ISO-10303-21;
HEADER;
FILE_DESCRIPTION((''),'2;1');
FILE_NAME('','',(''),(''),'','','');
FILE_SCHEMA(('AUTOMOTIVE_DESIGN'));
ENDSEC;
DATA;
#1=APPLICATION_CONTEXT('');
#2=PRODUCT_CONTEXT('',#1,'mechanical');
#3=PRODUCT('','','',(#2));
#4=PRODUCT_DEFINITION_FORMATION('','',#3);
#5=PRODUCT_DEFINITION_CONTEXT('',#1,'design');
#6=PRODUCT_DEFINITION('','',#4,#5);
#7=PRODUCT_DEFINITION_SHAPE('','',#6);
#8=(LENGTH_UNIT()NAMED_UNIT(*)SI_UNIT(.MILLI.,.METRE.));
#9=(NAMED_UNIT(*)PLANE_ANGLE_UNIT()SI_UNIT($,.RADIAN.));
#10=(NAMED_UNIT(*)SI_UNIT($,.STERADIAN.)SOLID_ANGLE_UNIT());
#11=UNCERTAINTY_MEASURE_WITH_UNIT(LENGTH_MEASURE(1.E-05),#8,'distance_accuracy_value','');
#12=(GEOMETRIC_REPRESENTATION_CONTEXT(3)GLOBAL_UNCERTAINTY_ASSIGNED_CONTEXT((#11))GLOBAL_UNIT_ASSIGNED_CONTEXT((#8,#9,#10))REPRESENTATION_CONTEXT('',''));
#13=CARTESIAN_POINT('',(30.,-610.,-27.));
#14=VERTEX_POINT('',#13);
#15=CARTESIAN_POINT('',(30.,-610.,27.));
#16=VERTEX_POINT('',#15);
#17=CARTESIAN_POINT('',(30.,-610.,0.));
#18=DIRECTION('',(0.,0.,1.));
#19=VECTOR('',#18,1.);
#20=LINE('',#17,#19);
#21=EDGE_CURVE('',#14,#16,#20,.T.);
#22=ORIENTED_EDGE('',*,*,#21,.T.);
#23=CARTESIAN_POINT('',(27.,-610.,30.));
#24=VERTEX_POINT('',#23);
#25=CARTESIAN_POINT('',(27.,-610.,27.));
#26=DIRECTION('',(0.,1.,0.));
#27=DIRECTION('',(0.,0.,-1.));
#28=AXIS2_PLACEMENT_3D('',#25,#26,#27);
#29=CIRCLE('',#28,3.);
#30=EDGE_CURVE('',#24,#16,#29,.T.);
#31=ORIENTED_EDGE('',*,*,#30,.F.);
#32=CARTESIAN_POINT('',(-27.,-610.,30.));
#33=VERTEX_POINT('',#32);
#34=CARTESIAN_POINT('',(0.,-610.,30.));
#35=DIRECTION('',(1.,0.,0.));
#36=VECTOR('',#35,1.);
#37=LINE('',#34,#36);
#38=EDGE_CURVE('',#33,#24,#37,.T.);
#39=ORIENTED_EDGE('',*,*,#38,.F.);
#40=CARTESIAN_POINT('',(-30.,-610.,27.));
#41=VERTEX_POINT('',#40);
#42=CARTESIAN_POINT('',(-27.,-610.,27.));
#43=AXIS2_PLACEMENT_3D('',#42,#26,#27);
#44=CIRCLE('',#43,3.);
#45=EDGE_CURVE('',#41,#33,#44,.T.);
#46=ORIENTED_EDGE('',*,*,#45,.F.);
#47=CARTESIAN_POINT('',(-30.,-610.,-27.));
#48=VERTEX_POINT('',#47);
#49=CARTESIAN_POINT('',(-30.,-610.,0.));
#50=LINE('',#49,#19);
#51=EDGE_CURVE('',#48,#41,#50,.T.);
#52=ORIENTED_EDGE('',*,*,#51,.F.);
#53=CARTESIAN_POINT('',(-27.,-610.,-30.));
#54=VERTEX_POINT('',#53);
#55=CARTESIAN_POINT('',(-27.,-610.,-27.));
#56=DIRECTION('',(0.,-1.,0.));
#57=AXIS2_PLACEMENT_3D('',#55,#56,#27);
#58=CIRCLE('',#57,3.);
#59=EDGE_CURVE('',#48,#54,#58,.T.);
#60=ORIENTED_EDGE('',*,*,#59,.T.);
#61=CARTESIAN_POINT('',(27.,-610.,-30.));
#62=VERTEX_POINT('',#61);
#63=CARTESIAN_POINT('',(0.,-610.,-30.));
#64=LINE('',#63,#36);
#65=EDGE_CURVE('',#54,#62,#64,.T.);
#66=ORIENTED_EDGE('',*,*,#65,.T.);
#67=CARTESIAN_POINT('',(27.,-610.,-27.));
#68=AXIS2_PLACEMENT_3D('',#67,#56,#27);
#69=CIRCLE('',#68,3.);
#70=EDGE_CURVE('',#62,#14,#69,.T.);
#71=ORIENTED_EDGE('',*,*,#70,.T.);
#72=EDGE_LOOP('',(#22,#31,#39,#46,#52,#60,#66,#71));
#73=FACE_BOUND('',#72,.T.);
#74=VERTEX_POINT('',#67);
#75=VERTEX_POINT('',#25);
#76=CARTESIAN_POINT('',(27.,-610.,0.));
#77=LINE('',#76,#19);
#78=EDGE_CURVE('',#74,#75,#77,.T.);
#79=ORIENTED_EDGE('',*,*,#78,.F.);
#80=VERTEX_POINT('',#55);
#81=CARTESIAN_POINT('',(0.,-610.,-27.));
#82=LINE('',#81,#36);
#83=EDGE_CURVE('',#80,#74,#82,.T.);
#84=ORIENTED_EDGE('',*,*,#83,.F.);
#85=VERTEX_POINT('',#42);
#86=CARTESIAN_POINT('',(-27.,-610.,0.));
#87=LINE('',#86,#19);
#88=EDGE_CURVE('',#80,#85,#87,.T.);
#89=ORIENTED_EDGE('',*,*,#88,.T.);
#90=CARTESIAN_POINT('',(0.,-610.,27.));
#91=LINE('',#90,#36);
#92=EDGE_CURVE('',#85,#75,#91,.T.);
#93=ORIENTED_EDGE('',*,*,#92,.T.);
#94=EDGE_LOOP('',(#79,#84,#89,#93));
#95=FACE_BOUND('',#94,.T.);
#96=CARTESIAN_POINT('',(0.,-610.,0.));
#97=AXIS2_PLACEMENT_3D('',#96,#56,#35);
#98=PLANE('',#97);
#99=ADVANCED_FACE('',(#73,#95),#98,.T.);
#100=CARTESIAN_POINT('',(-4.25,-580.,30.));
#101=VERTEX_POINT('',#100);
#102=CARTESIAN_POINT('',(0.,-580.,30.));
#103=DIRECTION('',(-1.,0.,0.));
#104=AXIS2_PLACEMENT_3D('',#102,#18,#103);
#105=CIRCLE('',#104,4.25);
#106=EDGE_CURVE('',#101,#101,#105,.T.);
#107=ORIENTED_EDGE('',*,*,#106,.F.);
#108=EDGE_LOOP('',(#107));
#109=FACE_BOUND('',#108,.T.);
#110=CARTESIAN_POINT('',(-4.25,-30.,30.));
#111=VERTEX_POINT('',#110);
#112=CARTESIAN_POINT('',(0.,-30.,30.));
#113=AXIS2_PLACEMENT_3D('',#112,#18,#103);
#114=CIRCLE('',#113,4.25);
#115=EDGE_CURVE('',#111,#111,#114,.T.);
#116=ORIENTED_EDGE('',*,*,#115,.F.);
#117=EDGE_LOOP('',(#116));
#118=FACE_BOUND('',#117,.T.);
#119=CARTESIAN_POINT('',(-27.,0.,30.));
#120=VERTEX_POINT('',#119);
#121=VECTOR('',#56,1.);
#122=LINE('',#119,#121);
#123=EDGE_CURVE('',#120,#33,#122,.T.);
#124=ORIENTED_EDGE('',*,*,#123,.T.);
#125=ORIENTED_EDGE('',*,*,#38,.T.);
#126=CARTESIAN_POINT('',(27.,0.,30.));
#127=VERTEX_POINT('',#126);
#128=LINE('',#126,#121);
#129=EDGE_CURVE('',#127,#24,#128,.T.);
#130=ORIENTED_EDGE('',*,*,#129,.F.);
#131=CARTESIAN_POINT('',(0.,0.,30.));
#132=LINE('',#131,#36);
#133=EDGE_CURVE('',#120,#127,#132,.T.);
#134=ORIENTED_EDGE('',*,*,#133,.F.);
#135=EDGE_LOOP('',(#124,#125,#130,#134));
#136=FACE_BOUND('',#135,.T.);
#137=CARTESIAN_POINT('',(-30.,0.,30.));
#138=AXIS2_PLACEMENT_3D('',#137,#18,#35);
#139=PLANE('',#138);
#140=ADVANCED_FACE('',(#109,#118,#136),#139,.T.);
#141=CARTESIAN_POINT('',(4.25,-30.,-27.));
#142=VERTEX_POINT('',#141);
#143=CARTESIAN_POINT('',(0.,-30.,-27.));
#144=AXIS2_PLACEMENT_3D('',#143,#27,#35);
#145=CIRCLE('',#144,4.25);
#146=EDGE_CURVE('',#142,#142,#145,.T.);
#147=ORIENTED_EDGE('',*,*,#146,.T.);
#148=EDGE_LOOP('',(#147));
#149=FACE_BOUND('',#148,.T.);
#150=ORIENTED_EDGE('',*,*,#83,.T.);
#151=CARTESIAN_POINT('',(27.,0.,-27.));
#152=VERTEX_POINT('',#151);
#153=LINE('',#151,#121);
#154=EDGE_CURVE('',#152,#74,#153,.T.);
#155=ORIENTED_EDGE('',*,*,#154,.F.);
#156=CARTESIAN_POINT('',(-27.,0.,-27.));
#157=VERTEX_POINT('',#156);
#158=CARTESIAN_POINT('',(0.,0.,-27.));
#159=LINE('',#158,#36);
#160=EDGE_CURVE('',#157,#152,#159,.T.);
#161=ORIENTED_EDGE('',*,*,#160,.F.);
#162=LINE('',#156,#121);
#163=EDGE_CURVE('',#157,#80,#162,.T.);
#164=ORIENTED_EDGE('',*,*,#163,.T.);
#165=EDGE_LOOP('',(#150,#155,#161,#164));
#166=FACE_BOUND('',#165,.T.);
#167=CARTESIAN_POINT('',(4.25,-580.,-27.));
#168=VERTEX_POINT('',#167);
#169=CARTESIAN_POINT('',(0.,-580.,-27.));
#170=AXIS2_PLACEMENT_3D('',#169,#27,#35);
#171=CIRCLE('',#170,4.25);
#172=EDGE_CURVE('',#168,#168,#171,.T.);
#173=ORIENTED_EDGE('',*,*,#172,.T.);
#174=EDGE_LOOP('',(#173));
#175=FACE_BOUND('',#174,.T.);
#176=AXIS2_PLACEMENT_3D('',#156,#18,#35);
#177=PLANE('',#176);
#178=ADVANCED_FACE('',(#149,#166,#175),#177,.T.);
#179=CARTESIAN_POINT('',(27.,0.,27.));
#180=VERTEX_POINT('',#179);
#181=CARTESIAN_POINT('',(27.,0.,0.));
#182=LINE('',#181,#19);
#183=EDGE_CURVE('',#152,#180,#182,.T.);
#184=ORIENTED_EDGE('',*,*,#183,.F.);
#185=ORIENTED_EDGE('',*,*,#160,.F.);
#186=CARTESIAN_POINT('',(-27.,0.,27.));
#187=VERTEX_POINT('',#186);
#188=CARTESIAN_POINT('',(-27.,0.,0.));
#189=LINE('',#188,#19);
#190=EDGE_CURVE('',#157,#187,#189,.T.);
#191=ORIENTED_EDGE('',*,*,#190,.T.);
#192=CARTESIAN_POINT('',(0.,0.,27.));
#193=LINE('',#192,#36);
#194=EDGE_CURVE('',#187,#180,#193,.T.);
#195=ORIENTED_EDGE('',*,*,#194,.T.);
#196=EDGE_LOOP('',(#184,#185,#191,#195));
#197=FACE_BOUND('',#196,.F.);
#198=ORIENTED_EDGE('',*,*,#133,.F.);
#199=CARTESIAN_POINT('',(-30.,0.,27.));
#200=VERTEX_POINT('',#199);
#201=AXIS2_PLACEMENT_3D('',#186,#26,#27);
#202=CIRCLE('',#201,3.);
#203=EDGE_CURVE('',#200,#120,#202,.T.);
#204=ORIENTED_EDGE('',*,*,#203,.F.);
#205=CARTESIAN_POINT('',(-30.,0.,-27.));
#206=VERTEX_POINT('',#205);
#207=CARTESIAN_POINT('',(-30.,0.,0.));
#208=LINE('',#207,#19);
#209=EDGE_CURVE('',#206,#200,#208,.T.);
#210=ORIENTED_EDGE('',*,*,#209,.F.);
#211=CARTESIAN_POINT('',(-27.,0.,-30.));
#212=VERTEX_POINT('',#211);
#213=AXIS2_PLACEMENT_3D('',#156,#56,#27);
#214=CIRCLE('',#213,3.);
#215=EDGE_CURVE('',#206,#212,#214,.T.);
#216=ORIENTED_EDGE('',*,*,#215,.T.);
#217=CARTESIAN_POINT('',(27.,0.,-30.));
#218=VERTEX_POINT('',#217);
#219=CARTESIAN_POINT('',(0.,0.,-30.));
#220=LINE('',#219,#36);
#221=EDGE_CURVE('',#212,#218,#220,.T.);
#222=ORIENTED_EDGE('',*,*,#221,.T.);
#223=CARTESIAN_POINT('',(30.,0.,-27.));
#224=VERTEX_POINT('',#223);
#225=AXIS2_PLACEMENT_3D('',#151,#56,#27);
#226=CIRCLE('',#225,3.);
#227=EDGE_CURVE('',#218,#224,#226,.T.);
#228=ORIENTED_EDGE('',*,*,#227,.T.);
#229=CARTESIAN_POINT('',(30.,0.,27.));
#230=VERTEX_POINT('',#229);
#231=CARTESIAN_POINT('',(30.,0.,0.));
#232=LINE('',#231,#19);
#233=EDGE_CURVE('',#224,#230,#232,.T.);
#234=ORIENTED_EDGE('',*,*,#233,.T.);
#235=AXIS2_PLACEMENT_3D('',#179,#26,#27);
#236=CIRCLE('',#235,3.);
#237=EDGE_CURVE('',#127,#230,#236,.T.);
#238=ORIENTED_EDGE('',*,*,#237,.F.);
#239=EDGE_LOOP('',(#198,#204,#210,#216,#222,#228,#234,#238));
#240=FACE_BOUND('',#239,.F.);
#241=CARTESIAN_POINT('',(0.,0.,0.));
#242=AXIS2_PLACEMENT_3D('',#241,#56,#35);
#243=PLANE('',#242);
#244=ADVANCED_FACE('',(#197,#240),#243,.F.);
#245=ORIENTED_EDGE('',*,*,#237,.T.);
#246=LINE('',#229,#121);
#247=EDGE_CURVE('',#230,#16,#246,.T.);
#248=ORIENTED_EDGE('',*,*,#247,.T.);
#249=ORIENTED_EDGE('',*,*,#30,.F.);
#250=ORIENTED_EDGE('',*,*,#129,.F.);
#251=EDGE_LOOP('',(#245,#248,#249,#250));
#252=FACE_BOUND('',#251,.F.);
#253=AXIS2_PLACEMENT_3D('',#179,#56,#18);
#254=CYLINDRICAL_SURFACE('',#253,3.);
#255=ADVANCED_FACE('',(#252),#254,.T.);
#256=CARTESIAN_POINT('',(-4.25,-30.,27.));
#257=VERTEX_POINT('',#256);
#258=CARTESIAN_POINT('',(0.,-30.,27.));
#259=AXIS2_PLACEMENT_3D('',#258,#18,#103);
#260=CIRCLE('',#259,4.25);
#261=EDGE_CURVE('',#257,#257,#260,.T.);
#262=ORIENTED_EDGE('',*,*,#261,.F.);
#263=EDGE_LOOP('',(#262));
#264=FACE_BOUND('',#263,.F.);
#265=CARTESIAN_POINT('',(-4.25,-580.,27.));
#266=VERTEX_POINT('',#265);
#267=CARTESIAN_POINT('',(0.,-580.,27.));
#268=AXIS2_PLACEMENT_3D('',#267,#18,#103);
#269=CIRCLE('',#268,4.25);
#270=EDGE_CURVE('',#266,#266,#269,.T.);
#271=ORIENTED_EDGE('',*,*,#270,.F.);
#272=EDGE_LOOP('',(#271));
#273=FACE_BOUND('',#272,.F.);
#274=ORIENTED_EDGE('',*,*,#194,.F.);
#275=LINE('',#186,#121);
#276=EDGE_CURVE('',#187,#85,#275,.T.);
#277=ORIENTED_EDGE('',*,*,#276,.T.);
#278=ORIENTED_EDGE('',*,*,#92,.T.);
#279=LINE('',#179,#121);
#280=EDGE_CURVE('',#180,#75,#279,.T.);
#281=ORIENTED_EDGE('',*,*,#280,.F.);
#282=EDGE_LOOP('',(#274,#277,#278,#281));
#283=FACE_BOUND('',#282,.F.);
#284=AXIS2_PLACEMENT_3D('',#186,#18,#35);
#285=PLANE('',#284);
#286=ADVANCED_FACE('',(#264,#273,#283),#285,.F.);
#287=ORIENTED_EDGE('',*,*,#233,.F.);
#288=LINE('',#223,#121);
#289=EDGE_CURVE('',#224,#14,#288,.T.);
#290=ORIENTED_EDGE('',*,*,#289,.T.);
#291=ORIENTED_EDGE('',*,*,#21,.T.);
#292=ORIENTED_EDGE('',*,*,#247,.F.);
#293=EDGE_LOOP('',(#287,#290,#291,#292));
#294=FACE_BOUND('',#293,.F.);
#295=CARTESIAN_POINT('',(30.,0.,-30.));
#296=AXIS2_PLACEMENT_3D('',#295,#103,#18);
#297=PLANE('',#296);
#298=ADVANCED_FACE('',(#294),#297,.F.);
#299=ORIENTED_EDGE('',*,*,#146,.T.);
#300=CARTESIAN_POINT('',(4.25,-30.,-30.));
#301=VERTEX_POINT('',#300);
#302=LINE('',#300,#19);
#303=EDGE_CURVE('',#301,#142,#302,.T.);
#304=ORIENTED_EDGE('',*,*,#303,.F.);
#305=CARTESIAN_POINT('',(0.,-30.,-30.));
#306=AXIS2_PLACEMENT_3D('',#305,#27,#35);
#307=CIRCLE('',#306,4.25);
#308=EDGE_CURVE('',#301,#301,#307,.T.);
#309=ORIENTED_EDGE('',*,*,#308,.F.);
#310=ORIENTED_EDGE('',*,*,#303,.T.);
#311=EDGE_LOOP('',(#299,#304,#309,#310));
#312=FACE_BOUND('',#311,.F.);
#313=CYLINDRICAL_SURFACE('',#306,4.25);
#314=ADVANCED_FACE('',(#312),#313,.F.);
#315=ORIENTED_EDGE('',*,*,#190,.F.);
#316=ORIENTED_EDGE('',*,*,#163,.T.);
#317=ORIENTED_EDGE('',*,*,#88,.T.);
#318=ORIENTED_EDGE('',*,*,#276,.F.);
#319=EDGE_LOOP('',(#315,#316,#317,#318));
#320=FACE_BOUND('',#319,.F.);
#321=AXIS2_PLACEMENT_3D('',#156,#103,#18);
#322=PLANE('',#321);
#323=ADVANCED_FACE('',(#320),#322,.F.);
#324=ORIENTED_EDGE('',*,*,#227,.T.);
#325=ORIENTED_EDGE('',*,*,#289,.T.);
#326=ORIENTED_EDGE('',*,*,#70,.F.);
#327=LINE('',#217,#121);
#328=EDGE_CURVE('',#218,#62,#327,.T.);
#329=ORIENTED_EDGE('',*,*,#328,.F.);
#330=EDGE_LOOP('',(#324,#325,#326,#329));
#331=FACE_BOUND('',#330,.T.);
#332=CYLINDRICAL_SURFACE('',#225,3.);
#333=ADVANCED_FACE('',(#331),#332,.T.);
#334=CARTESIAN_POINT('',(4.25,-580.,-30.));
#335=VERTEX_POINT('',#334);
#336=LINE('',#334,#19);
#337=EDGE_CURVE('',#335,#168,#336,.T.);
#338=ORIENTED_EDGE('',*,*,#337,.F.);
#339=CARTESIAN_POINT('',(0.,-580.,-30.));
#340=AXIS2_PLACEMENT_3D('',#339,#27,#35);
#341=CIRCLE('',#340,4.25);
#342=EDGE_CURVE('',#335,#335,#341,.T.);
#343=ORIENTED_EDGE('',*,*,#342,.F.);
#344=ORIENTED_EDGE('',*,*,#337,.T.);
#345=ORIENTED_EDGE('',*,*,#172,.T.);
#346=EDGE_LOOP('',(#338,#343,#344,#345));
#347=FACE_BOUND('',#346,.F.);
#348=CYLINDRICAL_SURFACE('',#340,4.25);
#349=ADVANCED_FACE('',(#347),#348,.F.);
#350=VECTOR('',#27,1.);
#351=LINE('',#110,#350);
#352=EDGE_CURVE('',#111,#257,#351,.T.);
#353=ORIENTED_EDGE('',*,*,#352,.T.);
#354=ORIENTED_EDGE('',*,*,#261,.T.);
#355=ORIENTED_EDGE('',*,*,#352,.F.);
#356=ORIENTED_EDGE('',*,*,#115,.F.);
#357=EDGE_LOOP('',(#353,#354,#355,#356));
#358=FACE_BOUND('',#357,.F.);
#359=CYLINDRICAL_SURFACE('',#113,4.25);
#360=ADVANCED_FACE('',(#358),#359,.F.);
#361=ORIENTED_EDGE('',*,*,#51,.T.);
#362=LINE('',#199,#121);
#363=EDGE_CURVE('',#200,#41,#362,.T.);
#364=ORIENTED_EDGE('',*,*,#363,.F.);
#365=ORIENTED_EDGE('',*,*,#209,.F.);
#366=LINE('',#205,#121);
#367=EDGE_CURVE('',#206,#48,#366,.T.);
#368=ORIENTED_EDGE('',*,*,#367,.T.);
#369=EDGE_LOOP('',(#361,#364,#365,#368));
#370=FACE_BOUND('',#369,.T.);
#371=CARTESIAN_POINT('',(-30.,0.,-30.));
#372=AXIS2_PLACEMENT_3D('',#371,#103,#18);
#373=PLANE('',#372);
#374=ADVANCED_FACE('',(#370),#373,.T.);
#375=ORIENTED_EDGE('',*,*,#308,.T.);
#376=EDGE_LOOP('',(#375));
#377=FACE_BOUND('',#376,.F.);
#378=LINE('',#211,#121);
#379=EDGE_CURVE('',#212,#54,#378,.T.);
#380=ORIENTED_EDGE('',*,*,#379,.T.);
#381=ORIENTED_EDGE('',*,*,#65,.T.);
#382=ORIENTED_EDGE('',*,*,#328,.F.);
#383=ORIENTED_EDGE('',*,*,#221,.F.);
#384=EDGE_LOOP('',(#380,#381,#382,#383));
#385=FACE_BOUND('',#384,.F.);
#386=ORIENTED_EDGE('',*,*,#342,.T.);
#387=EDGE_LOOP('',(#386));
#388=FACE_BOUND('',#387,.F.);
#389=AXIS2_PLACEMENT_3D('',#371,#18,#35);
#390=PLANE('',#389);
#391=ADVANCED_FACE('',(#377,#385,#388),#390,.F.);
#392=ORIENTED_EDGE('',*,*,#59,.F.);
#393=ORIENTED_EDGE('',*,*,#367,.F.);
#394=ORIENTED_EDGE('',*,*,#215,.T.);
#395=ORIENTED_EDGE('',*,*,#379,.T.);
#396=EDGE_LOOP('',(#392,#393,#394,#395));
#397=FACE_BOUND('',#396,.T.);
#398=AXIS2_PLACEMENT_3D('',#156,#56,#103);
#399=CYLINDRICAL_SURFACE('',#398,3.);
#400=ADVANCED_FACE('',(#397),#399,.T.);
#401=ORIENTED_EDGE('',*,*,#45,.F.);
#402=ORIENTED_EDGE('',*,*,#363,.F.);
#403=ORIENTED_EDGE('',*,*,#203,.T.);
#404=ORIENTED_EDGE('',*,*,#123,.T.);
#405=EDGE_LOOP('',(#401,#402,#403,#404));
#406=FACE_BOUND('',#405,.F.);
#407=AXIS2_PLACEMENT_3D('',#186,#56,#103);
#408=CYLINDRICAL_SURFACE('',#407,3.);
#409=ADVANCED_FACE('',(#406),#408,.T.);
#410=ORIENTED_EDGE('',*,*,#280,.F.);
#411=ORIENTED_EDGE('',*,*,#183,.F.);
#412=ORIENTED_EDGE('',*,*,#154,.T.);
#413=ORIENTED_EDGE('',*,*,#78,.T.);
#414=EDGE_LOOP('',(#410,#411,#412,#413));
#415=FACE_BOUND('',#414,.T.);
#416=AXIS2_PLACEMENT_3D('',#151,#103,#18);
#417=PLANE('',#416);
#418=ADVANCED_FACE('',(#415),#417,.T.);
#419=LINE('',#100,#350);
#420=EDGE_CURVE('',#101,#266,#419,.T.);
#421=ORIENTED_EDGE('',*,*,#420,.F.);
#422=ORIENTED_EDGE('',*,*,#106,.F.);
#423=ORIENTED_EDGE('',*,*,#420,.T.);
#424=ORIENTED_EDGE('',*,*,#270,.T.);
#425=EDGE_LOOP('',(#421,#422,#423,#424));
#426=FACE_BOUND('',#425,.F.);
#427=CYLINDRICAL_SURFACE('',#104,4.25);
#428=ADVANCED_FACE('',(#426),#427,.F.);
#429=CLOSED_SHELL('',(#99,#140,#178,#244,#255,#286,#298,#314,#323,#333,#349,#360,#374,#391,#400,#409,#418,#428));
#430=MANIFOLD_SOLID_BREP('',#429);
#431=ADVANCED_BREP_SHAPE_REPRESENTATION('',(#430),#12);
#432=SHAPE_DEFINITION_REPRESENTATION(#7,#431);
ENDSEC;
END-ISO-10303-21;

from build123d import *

# Parameters (mm, degrees)
SKETCH_W        = 60
SKETCH_H        = 60
SKETCH_W_2      = 54
SKETCH_H_2      = 54
PAD_DEPTH       = 610
SKETCH001_R     = 4.25
POCKET_DEPTH    = 3
SKETCH002_R     = 4.25
POCKET001_DEPTH = 3
FILLET_R        = 3


with BuildPart() as part:
    # Sketch → Pad (new body)
    with BuildSketch(Plane.XZ):
        Rectangle(SKETCH_W, SKETCH_H)
        Rectangle(SKETCH_W_2, SKETCH_H_2, mode=Mode.SUBTRACT)
    extrude(amount=PAD_DEPTH)

    # Sketch001 (on Face1 of Pad) → Pocket (cut)
    with BuildSketch(Plane(origin=(0, 0, 30), x_dir=(-1, 0, 0), z_dir=(0, 0, 1))):
        with Locations((0, 30)):
            Circle(SKETCH001_R)
        with Locations((0, 580)):
            Circle(SKETCH001_R)
    extrude(amount=-POCKET_DEPTH, mode=Mode.SUBTRACT)

    # Sketch002 (on Face8 of Pocket) → Pocket001 (cut)
    with BuildSketch(Plane(origin=(0, 0, -30), x_dir=(1, 0, 0), z_dir=(0, 0, -1))):
        with Locations((0, 30)):
            Circle(SKETCH002_R)
        with Locations((0, 580)):
            Circle(SKETCH002_R)
    extrude(amount=-POCKET001_DEPTH, mode=Mode.SUBTRACT)

    # Fillet
    fillet_edges = [part.edges().sort_by_distance(p)[0] for p in [
        (30, -305, 30),
        (30, -305, -30),
        (-30, -305, -30),
        (-30, -305, 30),
    ]]
    fillet(fillet_edges, radius=FILLET_R)


solid = part.part
